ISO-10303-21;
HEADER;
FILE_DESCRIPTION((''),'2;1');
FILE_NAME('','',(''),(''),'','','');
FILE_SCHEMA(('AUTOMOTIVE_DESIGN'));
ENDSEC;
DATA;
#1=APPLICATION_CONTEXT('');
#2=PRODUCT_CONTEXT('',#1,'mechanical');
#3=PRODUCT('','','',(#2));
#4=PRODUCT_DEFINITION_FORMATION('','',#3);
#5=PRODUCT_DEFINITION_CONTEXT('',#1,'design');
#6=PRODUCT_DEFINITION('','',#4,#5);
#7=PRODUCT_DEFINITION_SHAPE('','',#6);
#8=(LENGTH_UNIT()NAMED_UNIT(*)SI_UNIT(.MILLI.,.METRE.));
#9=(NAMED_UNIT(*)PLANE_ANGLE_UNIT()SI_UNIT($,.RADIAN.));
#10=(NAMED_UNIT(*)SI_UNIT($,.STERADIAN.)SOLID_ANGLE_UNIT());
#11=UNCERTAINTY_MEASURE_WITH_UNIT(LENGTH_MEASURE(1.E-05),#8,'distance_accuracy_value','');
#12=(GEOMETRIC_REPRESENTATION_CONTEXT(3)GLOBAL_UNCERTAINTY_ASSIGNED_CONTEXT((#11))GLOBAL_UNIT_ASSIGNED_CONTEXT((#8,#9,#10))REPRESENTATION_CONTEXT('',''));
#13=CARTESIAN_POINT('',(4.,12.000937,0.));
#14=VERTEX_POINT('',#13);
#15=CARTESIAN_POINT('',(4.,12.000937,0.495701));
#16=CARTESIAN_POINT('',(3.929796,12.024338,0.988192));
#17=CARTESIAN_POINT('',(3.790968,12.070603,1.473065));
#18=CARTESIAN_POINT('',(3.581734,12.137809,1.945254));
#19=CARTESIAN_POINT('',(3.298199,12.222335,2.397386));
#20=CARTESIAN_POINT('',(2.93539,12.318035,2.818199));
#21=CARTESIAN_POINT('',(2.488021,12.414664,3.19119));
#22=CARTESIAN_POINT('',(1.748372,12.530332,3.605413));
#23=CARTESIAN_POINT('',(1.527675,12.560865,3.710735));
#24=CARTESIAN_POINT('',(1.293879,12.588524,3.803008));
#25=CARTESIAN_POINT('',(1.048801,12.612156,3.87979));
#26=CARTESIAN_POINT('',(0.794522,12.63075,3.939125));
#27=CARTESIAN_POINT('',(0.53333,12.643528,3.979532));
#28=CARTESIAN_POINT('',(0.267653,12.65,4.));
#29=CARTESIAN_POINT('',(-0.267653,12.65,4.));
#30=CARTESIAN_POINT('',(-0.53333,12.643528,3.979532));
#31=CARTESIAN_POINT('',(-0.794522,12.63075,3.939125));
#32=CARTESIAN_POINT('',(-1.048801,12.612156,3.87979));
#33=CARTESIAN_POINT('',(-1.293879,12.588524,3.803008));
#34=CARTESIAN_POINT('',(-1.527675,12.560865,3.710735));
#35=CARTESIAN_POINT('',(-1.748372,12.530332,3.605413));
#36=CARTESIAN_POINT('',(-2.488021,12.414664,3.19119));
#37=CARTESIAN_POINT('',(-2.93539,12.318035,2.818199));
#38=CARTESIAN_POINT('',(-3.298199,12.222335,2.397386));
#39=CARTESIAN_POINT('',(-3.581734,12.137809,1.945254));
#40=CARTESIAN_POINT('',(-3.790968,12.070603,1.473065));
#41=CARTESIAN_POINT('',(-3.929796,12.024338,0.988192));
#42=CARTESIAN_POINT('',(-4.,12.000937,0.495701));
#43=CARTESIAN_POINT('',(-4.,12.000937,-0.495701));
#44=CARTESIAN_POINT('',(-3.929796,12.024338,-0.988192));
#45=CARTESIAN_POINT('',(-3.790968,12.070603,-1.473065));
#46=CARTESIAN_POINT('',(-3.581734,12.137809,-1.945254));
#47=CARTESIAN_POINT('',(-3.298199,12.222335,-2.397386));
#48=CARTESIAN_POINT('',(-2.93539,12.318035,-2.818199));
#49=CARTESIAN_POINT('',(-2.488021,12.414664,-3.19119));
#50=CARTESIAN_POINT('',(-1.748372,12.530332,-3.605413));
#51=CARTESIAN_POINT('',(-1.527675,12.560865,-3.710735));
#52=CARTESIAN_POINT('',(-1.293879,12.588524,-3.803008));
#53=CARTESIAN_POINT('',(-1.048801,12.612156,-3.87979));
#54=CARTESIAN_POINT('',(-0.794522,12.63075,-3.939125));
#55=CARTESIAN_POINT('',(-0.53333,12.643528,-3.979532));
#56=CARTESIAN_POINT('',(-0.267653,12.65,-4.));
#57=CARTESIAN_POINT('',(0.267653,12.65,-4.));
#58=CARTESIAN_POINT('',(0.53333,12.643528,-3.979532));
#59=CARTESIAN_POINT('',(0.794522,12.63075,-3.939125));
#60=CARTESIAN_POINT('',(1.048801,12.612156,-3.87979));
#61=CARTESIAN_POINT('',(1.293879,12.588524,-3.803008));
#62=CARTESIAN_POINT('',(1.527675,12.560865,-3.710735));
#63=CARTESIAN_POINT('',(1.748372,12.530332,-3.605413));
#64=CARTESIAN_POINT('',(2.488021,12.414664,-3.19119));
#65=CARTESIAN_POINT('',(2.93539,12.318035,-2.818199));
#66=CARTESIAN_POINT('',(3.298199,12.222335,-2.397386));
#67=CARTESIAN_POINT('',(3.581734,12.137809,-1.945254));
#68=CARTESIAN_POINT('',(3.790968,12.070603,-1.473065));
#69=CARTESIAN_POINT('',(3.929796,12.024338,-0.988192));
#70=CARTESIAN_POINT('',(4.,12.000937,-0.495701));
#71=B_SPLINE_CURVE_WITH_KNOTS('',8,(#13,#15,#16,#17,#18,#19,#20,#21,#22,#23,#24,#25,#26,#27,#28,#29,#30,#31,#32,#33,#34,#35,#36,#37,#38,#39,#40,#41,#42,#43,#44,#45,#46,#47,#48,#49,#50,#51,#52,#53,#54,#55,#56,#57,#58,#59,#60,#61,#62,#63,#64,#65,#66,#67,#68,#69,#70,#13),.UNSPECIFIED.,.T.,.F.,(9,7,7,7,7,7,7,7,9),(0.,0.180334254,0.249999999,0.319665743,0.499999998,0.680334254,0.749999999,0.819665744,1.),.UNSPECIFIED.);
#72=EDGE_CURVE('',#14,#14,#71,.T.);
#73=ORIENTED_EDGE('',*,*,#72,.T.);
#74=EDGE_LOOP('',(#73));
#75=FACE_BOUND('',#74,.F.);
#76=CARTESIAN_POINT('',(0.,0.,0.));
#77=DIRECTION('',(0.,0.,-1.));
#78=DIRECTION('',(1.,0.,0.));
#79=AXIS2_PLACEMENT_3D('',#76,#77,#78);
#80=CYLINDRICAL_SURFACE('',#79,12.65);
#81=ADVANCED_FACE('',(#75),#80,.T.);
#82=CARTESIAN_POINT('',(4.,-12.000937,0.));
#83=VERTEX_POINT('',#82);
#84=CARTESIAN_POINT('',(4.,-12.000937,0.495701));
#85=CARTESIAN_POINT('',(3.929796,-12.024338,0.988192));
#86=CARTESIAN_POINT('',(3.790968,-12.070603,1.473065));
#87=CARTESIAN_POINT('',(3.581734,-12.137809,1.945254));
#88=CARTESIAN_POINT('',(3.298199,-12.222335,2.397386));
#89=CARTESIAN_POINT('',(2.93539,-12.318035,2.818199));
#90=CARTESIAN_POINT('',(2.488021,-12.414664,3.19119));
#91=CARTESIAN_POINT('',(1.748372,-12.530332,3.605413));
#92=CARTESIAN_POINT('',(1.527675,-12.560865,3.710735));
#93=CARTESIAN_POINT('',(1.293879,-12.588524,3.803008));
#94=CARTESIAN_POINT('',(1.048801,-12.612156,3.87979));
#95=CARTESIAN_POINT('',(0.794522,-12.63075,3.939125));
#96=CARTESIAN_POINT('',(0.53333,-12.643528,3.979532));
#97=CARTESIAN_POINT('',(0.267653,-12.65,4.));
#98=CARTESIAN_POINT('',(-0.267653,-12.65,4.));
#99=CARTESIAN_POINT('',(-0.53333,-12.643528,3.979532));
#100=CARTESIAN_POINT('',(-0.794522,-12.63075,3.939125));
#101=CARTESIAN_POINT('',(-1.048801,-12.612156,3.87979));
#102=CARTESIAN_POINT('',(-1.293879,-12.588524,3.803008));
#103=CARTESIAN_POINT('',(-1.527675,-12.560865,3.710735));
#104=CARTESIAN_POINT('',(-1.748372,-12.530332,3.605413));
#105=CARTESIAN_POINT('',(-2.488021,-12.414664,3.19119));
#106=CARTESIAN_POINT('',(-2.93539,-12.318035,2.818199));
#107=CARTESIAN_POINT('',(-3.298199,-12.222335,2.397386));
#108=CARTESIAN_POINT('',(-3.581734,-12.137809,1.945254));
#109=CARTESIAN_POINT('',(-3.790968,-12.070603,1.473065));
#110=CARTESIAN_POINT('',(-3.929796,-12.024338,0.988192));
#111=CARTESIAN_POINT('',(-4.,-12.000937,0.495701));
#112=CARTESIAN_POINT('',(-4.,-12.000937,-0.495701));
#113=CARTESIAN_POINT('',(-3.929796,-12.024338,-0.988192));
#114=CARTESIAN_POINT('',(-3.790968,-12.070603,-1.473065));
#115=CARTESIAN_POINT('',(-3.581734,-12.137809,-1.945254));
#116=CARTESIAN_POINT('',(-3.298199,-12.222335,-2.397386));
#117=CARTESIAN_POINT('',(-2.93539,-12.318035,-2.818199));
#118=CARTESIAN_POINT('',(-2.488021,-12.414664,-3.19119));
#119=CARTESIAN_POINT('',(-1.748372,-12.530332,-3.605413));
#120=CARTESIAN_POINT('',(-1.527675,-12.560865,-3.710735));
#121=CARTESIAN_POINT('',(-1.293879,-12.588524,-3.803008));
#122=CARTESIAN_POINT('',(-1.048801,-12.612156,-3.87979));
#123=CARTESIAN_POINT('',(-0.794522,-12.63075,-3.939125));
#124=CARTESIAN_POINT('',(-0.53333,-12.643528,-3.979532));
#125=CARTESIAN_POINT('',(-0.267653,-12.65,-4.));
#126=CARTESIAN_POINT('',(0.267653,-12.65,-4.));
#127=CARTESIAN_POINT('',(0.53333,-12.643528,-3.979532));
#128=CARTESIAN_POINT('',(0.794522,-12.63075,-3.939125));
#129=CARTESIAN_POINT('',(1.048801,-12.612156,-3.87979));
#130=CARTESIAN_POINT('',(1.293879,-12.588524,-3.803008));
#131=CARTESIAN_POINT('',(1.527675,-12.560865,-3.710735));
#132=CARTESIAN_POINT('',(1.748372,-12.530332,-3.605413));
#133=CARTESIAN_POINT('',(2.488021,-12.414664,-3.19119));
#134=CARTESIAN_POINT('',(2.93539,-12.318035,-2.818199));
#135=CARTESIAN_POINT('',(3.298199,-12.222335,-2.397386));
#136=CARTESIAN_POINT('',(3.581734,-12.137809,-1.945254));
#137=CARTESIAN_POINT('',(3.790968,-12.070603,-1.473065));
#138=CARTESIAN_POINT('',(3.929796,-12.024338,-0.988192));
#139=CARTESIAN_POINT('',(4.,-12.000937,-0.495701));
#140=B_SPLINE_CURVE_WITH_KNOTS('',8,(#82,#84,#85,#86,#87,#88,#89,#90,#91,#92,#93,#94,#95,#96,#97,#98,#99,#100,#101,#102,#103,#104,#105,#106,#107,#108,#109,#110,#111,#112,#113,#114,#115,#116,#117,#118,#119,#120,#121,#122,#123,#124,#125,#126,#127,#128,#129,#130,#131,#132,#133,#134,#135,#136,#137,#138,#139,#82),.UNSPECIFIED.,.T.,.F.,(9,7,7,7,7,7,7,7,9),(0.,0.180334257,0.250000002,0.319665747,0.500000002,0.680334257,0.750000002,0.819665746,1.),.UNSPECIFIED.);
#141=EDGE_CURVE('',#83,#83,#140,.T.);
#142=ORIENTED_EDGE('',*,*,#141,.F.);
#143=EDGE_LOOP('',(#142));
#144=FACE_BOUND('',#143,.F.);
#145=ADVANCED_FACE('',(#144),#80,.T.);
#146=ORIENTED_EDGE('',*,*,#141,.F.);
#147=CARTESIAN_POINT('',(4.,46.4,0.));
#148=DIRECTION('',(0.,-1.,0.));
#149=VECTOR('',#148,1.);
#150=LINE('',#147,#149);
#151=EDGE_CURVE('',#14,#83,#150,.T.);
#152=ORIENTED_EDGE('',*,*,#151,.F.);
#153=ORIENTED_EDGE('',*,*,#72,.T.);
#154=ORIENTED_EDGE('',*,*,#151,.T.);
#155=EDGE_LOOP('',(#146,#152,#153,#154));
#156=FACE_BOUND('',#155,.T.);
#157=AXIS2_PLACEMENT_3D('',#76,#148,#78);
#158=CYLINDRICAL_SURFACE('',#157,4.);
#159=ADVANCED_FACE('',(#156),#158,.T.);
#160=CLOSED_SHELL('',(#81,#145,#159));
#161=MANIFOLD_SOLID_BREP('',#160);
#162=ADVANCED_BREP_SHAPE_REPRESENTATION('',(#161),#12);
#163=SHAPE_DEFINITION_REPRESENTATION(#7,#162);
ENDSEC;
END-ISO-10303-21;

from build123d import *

# Parameters (mm, degrees)
F0_R     = 4
F1_DEPTH = 46.4
F2_R     = 49.7478962468
F2_R_2   = 12.65
F3_DEPTH = 25.6


with BuildPart() as f1:
    # F0 (on Front) → F1 (new body, symmetric)
    with BuildSketch(Plane.XZ):
        Circle(F0_R)
    extrude(amount=F1_DEPTH, both=True)

    # F2 (on Top) → F3 (cut, symmetric)
    with BuildSketch(Plane.XY):
        Circle(F2_R)
        Circle(F2_R_2, mode=Mode.SUBTRACT)
    extrude(amount=F3_DEPTH, both=True, mode=Mode.SUBTRACT)


solid = f1.part
